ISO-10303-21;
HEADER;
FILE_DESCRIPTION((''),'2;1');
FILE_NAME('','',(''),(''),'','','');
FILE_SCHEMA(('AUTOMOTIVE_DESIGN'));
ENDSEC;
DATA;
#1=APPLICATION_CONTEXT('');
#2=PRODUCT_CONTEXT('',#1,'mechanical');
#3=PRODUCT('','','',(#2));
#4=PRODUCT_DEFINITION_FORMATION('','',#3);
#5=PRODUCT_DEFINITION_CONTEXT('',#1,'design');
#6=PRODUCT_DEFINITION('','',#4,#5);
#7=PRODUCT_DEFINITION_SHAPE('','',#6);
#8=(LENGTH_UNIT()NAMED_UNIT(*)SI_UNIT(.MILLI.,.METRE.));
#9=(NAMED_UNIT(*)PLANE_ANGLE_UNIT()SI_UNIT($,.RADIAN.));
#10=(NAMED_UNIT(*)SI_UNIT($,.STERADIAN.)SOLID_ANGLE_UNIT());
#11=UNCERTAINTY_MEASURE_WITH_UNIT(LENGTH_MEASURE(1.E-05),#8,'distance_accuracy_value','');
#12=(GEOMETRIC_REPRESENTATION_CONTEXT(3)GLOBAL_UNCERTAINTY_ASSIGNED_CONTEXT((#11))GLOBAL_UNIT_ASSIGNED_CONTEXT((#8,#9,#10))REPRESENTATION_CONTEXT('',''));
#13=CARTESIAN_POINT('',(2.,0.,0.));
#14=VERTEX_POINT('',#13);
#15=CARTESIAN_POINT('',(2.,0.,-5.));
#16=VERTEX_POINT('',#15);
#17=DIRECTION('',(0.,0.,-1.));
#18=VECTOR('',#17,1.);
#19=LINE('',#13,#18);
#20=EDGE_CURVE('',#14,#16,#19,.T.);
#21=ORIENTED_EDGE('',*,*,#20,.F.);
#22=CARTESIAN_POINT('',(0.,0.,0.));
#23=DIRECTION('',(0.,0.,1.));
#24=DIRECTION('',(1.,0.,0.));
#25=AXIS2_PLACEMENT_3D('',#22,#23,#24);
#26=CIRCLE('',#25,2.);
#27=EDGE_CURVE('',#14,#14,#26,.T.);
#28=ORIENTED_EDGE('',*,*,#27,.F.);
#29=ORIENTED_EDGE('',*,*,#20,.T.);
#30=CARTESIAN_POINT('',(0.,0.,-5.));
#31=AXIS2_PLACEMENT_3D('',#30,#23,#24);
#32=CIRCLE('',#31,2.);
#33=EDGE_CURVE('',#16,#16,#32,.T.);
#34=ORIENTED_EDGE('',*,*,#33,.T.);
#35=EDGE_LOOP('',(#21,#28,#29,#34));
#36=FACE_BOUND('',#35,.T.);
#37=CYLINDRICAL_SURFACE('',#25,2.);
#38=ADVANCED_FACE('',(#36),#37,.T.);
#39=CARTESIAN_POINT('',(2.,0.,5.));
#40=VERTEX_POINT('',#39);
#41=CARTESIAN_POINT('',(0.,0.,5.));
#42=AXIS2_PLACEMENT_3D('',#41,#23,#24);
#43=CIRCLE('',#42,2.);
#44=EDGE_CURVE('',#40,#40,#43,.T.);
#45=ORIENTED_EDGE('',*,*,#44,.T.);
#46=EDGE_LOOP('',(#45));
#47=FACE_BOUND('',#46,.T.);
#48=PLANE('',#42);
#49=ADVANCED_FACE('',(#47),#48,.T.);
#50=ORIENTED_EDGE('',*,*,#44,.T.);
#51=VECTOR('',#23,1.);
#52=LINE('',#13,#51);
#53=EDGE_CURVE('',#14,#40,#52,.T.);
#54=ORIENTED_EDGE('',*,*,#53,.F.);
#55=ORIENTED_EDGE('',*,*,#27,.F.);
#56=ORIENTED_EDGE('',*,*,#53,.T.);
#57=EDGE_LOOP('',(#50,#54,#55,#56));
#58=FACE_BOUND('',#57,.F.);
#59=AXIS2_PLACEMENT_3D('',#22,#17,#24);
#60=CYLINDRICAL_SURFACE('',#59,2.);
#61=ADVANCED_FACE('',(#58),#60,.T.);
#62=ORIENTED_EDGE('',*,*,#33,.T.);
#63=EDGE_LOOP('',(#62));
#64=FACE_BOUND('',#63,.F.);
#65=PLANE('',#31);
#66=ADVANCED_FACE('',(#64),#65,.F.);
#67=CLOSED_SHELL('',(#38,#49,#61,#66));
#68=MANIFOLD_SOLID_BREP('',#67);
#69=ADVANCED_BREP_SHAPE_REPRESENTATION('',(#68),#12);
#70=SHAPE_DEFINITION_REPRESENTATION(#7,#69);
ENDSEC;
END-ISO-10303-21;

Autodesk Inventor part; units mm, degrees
ref_plane "YZ Plane" through (0, 0, 0) normal (1, 0, 0) x (0, 1, 0)
ref_plane "XZ Plane" through (0, 0, 0) normal (0, 1, 0) x (-1, 0, 0)
ref_plane "XY Plane" through (0, 0, 0) normal (0, 0, 1) x (1, 0, 0)
sketch "스케치1" plane through (0, 0, 0) normal (0, 0, 1) x (1, 0, 0)
  circle A0 centre (0, 0) radius 2
  dimension "d0" = 4
extrude "돌출1" add sketch "스케치1" along normal mid plane 10
properties part number "볼트M4 10mm" material "알루미늄 6061"
